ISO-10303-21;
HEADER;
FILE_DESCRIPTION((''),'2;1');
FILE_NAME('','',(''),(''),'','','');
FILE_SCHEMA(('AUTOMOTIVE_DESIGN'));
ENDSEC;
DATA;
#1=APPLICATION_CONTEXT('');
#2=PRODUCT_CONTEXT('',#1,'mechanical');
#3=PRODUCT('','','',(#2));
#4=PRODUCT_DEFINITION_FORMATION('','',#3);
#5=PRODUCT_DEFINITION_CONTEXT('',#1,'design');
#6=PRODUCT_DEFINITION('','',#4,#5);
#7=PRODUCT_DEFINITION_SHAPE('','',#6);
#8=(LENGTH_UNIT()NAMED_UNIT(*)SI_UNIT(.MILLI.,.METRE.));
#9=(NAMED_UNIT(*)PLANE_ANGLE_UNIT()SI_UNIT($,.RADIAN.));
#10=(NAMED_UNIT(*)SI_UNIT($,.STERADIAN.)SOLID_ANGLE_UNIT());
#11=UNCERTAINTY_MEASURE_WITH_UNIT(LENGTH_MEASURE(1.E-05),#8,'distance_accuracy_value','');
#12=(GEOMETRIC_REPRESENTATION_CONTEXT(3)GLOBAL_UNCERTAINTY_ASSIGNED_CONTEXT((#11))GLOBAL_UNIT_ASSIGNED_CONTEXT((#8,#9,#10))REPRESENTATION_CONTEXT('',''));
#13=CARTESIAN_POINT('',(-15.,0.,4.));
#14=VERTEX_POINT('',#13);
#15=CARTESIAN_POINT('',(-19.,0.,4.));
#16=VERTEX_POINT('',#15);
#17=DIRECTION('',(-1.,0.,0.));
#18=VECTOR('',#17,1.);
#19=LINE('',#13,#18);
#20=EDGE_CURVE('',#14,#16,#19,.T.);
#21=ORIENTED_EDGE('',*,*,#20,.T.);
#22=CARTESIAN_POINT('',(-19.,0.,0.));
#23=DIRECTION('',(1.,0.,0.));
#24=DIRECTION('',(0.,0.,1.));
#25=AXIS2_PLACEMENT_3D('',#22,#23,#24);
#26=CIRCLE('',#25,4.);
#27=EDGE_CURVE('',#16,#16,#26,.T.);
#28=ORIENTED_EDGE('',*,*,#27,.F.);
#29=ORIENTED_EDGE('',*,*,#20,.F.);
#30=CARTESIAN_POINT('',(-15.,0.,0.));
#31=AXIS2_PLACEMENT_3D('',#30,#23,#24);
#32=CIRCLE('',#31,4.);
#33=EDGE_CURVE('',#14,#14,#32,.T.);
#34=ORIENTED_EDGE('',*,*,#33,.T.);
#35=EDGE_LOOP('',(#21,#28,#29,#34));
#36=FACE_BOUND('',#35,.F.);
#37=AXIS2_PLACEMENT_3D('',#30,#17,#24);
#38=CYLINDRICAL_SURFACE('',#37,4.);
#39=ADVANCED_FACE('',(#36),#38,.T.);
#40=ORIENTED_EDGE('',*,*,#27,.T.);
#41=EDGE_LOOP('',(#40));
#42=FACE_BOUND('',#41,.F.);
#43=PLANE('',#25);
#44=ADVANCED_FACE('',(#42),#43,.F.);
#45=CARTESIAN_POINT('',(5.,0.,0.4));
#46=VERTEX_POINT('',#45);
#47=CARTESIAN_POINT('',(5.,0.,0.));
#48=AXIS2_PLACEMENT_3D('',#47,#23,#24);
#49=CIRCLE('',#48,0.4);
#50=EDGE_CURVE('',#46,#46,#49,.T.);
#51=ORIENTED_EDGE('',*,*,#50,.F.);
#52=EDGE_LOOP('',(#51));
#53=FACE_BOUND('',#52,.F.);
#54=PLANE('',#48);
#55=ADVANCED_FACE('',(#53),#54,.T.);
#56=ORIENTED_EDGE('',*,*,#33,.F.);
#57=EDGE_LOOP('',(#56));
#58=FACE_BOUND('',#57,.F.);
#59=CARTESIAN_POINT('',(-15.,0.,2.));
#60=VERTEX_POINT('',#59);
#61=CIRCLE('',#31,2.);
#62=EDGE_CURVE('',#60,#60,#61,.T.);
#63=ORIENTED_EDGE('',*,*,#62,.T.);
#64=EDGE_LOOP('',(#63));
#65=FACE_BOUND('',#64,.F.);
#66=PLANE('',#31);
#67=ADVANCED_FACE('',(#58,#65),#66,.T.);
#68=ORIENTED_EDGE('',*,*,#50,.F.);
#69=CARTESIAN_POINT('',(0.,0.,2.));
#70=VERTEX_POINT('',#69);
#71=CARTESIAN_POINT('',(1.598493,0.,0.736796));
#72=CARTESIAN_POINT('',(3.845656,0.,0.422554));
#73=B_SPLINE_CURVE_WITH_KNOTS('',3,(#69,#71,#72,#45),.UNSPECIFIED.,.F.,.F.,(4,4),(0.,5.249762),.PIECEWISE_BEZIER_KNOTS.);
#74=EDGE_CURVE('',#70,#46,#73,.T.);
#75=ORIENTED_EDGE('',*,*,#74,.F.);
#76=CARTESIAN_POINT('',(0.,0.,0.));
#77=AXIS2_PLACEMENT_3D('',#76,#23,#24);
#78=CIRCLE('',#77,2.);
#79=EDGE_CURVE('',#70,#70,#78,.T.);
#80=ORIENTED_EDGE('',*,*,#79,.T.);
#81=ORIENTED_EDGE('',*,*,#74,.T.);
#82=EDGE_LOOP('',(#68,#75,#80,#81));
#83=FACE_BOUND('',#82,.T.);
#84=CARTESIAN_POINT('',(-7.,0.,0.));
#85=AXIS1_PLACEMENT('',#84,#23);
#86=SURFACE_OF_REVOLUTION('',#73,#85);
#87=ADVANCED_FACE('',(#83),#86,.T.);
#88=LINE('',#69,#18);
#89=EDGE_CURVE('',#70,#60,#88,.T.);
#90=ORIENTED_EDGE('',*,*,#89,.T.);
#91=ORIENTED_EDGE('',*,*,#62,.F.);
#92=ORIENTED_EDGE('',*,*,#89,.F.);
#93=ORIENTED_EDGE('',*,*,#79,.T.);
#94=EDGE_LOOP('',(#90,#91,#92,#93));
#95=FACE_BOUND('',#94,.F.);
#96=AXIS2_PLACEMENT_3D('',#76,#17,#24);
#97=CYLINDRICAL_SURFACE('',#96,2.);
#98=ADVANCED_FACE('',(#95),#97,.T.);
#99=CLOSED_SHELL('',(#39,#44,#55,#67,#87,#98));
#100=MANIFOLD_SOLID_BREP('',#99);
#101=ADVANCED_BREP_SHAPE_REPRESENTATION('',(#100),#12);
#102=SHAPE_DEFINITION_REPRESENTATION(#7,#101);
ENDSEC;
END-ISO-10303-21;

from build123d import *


with BuildPart() as f1:
    # F0 (on Front) → F1 (revolve)
    with BuildSketch(Plane.XZ):
        with BuildLine():
            Line((0, 2), (-15, 2))
            Line((-15, 2), (-15, 4))
            Line((-15, 4), (-19, 4))
            Line((-19, 4), (-19, 0))
            Line((-19, 0), (5, 0))
            Line((5, 0), (5, 0.4))
            add(Edge.make_bspline(
                [(0, 2), (1.598493, 0.736796), (3.845656, 0.422554), (5, 0.4)],
                knots=[0, 0, 0, 0, 5.249762, 5.249762, 5.249762, 5.249762], degree=3))
        make_face()
    revolve(axis=Axis((-7, 0, 0), (1, 0, 0)))


solid = f1.part
